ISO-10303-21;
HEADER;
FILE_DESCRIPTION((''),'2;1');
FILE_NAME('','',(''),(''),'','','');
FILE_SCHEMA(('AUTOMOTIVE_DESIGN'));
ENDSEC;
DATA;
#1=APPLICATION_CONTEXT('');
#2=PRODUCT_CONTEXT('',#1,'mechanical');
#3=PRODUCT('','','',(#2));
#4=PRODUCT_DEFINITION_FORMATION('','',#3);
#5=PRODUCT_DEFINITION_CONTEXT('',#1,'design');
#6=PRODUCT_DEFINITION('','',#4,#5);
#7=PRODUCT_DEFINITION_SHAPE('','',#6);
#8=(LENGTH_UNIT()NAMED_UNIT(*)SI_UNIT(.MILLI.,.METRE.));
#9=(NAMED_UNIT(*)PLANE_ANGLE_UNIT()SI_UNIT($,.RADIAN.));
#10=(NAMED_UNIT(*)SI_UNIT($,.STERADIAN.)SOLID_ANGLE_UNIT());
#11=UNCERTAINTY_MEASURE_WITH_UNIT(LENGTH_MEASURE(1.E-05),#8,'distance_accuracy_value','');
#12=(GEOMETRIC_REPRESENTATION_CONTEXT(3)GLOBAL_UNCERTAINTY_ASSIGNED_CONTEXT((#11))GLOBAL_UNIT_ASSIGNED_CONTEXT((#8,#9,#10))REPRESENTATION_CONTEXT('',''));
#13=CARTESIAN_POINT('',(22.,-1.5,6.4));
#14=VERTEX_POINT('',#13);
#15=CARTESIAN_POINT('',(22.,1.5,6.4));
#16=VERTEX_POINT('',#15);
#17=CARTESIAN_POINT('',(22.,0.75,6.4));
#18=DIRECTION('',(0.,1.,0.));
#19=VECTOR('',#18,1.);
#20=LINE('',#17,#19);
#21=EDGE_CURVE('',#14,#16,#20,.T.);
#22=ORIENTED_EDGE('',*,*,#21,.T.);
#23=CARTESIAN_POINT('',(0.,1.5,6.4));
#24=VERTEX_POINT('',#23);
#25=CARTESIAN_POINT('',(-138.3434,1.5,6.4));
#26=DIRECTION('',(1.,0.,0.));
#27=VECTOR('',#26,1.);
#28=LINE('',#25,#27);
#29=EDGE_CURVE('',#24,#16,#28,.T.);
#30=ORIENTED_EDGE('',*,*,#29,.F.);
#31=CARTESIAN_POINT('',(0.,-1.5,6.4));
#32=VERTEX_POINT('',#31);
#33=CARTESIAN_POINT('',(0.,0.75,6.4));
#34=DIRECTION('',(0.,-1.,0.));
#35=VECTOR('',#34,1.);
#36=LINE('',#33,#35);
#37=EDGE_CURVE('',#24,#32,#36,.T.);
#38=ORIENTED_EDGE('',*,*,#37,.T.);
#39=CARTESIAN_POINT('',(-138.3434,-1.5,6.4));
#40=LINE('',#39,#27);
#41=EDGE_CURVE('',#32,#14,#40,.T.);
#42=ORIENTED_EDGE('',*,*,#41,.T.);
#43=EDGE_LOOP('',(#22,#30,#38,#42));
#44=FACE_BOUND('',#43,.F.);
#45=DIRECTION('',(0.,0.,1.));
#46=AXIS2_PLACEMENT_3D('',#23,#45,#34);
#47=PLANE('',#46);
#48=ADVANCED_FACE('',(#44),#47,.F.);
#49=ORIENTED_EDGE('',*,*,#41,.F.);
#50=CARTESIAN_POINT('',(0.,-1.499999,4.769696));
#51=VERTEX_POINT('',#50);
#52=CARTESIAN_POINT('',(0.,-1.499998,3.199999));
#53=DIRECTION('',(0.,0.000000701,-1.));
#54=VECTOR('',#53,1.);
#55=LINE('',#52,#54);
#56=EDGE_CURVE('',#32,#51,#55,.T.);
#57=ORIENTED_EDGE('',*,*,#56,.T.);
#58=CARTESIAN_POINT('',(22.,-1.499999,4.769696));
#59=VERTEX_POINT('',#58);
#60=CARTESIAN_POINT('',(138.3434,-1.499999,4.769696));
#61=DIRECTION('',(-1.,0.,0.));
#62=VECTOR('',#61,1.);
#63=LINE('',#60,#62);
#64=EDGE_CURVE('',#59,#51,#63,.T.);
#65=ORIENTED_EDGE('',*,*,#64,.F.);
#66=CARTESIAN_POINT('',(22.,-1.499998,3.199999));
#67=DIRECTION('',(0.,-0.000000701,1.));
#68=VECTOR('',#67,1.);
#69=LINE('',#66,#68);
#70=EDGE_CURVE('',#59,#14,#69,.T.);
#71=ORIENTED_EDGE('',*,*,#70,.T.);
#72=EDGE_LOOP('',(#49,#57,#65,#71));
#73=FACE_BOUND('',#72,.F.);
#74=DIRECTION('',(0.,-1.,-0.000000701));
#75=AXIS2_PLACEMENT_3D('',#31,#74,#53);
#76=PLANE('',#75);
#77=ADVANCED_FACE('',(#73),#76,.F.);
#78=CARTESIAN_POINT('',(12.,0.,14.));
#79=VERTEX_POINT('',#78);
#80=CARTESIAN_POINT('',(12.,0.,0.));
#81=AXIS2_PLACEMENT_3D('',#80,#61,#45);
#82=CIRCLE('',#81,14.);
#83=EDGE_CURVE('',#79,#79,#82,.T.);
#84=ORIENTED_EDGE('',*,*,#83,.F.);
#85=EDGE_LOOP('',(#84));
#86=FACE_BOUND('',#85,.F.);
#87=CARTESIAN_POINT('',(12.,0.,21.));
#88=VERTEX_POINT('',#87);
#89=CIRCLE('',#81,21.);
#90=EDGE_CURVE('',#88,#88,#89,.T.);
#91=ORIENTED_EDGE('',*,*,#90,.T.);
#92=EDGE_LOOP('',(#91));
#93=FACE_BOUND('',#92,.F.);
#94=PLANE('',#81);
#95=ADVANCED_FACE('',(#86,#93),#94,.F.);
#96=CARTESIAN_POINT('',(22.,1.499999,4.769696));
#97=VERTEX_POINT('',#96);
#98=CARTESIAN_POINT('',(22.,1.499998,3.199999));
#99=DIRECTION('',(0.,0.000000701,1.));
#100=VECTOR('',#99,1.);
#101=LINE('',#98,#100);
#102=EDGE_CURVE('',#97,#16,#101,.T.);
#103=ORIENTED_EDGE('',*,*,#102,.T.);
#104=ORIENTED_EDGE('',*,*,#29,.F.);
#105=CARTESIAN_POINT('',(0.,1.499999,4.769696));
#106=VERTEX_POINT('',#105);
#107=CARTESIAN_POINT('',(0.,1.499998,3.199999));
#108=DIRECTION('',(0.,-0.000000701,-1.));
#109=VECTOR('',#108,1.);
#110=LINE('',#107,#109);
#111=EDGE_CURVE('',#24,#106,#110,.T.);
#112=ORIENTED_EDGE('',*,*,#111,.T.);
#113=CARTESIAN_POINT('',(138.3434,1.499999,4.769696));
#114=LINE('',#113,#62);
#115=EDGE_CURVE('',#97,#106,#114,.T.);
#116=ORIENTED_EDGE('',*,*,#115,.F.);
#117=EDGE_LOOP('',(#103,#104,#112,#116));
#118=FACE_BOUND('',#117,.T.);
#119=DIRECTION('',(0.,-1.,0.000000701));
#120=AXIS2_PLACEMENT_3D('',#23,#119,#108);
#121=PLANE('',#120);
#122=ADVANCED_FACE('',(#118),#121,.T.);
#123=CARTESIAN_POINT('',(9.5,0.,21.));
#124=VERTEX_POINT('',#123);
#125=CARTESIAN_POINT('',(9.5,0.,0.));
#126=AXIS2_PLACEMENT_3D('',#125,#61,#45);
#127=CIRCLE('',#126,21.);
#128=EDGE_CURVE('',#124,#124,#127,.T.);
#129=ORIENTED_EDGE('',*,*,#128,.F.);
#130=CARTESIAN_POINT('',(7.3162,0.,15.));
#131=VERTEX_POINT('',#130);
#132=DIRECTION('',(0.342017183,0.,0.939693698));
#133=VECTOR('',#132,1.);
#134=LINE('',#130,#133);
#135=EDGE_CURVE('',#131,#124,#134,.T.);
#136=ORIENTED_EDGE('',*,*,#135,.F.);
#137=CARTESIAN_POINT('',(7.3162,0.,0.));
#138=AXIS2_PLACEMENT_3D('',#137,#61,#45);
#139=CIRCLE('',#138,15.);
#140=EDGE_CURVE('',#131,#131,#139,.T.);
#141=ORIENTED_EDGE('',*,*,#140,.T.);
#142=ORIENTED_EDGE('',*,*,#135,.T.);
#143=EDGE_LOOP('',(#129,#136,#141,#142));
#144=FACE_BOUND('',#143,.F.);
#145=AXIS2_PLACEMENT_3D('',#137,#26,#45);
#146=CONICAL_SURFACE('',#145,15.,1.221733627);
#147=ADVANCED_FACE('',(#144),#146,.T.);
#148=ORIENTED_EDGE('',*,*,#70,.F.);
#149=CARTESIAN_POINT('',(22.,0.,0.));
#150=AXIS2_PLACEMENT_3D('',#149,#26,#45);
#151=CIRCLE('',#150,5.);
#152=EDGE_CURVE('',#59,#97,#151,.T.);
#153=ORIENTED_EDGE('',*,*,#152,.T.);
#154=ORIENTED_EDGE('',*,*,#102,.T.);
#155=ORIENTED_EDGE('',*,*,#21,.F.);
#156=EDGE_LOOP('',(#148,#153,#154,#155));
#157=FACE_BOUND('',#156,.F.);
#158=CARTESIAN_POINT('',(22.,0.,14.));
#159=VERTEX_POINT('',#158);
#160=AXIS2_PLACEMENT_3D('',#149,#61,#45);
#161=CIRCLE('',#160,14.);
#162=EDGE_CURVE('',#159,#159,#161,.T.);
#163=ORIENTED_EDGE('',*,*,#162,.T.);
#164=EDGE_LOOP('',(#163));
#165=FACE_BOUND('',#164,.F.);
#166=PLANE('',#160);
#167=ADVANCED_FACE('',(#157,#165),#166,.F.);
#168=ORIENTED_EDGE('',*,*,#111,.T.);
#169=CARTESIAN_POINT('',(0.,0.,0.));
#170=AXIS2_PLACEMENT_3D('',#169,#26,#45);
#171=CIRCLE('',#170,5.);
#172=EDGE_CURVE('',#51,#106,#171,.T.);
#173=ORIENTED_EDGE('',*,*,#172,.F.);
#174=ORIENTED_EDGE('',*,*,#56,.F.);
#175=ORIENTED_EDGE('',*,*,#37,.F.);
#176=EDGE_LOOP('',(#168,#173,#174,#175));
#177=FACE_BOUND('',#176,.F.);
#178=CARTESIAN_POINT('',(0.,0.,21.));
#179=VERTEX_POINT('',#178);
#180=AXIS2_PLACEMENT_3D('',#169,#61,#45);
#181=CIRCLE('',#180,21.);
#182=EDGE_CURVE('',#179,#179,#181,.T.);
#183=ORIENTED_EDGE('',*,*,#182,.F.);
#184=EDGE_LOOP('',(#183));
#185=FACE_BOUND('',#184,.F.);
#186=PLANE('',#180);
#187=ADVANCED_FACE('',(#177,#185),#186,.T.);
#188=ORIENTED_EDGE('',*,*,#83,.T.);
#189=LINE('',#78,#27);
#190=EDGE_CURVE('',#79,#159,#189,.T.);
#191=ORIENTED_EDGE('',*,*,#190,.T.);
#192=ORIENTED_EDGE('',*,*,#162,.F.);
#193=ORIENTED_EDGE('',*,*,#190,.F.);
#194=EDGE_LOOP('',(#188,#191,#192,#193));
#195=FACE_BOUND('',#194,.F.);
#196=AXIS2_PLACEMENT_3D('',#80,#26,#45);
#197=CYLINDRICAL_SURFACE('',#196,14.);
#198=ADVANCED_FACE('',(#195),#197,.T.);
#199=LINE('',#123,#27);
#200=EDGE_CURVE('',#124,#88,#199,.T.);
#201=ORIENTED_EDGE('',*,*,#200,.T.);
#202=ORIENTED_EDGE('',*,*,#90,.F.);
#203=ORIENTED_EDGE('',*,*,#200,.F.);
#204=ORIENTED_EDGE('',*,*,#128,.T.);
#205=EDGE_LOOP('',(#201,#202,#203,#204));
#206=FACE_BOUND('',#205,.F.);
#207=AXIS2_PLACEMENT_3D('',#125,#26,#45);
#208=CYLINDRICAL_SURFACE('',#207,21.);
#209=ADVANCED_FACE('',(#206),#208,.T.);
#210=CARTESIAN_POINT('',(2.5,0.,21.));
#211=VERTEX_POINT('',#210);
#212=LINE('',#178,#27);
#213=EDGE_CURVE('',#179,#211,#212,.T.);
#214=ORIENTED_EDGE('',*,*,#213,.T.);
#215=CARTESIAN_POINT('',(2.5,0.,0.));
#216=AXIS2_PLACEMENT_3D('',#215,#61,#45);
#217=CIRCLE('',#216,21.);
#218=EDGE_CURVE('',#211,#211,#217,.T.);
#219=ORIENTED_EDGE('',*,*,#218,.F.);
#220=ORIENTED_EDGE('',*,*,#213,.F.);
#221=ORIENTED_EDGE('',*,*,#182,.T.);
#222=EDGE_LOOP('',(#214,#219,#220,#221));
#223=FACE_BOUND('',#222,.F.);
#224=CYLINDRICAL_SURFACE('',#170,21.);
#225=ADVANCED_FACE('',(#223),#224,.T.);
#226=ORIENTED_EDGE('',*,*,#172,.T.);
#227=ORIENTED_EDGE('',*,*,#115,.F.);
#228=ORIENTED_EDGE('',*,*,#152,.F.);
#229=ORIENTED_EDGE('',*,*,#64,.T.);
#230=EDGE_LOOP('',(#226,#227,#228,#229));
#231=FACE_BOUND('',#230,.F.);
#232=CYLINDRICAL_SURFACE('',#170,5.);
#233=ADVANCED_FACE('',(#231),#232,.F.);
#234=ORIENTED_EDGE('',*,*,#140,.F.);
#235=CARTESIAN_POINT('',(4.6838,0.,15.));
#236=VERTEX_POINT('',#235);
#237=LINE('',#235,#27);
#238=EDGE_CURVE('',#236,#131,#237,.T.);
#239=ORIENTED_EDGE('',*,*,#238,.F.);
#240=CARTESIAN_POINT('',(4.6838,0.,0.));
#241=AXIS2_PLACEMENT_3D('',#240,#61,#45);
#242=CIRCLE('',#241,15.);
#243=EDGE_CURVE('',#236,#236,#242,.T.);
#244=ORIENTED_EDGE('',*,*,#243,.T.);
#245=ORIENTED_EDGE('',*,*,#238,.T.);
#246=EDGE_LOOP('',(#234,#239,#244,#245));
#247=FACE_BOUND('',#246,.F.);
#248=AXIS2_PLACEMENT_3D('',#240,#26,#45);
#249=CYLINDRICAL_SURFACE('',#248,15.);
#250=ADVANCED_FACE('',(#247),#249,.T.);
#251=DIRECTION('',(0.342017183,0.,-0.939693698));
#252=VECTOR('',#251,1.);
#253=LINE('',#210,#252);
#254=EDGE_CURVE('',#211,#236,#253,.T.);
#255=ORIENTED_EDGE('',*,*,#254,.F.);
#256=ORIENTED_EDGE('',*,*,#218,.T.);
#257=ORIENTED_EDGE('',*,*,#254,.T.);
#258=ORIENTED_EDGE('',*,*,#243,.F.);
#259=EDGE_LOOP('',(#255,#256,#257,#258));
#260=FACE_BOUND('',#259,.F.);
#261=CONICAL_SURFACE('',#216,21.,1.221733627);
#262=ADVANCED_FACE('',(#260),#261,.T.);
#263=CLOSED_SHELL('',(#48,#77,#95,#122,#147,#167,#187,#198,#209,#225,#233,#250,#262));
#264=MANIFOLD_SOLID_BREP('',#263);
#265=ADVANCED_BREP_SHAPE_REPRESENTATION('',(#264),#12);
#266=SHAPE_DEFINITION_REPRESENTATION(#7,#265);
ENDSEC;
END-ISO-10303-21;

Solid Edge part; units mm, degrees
sketch "Sketch1" plane through (0, 0, 0) normal (0, -1, 0) x (1, 0, 0)
  line L0 (22, 14) -> (22, 0)
  line L1 (22, 0) -> (0, 0)
  line L2 (0, 0) -> (0, 21)
  line L3 (0, 21) -> (2.5, 21)
  line L4 (2.5, 21) -> (4.6838, 15)
  line L5 (4.6838, 15) -> (7.3162, 15)
  line L6 (7.3162, 15) -> (9.5, 21)
  line L7 (9.5, 21) -> (12, 21)
  line L8 (12, 21) -> (12, 14)
  line L9 (12, 14) -> (22, 14)
revolve "RevolvedProtrusion1" add sketch "Sketch1" angle 360 about axis through (22, 0, 0) along (-1, 0, 0)
sketch "Sketch2" plane through (0, 0, 0) normal (-1, 0, 0) x (0, 0, 1)
  line L0 (6.4, 1.5) -> (4.7697, 1.5)
  line L1 (6.4, 1.5) -> (6.4, -1.5)
  line L2 (6.4, -1.5) -> (4.7697, -1.5)
  arc A0 (4.7697, -1.5) -> (4.7697, 1.5) centre (0, 0) cw
extrude "Cutout1" cut sketch "Sketch2" along normal mid plane 276.6868
properties material "PVC"
